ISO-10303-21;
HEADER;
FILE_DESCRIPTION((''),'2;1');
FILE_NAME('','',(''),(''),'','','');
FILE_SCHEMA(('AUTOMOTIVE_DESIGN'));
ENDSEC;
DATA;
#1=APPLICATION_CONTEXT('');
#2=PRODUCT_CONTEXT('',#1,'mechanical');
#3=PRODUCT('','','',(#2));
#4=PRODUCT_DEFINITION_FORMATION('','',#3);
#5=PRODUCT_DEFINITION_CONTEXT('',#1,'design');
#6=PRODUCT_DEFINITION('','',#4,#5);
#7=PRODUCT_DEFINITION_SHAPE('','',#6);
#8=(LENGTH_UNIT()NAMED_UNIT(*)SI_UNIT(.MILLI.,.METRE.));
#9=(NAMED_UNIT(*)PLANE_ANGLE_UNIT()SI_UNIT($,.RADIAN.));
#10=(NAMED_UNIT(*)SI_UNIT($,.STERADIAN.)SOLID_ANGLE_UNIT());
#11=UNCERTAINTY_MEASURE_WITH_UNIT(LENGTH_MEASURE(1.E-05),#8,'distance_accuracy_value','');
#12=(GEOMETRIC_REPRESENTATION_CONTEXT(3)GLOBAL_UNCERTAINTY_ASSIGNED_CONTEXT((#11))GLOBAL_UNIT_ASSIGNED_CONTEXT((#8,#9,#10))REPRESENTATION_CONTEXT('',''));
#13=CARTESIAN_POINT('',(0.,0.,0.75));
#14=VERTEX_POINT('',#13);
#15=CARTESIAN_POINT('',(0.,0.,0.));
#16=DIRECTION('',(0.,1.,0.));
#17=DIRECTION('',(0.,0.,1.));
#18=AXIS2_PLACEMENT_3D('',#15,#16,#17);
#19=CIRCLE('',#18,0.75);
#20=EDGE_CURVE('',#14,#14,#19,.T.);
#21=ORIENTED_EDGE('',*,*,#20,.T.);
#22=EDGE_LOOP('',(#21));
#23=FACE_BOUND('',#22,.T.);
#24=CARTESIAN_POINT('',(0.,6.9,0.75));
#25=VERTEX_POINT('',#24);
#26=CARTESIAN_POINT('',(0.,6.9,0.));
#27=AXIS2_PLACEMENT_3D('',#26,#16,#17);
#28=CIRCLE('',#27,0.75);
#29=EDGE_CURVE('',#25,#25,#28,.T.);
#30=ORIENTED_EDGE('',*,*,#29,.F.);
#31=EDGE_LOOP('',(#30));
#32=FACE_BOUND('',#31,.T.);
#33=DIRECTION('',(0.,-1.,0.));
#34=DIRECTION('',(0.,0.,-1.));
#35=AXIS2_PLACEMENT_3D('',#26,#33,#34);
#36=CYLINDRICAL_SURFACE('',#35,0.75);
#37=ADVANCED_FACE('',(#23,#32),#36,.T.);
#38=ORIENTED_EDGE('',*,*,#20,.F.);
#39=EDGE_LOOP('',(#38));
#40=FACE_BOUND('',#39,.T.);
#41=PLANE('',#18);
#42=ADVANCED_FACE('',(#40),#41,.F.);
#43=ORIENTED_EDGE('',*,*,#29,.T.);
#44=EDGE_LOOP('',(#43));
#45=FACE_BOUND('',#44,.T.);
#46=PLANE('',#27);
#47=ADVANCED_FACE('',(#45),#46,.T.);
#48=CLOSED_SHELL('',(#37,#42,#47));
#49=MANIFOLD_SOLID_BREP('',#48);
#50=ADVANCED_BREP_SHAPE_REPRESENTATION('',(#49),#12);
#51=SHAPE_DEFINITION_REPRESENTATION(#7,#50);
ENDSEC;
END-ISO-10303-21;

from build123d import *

# Parameters (mm, degrees)
SKETCH1_R           = 0.75
BOSS_EXTRUDE1_DEPTH = 6.9


with BuildPart() as part:
    # Sketch1 → Boss-Extrude1 (new body)
    with BuildSketch(Plane(origin=(0, 0, 0), x_dir=(1, 0, 0), z_dir=(0, 1, 0))):
        Circle(SKETCH1_R)
    extrude(amount=BOSS_EXTRUDE1_DEPTH)


solid = part.part
